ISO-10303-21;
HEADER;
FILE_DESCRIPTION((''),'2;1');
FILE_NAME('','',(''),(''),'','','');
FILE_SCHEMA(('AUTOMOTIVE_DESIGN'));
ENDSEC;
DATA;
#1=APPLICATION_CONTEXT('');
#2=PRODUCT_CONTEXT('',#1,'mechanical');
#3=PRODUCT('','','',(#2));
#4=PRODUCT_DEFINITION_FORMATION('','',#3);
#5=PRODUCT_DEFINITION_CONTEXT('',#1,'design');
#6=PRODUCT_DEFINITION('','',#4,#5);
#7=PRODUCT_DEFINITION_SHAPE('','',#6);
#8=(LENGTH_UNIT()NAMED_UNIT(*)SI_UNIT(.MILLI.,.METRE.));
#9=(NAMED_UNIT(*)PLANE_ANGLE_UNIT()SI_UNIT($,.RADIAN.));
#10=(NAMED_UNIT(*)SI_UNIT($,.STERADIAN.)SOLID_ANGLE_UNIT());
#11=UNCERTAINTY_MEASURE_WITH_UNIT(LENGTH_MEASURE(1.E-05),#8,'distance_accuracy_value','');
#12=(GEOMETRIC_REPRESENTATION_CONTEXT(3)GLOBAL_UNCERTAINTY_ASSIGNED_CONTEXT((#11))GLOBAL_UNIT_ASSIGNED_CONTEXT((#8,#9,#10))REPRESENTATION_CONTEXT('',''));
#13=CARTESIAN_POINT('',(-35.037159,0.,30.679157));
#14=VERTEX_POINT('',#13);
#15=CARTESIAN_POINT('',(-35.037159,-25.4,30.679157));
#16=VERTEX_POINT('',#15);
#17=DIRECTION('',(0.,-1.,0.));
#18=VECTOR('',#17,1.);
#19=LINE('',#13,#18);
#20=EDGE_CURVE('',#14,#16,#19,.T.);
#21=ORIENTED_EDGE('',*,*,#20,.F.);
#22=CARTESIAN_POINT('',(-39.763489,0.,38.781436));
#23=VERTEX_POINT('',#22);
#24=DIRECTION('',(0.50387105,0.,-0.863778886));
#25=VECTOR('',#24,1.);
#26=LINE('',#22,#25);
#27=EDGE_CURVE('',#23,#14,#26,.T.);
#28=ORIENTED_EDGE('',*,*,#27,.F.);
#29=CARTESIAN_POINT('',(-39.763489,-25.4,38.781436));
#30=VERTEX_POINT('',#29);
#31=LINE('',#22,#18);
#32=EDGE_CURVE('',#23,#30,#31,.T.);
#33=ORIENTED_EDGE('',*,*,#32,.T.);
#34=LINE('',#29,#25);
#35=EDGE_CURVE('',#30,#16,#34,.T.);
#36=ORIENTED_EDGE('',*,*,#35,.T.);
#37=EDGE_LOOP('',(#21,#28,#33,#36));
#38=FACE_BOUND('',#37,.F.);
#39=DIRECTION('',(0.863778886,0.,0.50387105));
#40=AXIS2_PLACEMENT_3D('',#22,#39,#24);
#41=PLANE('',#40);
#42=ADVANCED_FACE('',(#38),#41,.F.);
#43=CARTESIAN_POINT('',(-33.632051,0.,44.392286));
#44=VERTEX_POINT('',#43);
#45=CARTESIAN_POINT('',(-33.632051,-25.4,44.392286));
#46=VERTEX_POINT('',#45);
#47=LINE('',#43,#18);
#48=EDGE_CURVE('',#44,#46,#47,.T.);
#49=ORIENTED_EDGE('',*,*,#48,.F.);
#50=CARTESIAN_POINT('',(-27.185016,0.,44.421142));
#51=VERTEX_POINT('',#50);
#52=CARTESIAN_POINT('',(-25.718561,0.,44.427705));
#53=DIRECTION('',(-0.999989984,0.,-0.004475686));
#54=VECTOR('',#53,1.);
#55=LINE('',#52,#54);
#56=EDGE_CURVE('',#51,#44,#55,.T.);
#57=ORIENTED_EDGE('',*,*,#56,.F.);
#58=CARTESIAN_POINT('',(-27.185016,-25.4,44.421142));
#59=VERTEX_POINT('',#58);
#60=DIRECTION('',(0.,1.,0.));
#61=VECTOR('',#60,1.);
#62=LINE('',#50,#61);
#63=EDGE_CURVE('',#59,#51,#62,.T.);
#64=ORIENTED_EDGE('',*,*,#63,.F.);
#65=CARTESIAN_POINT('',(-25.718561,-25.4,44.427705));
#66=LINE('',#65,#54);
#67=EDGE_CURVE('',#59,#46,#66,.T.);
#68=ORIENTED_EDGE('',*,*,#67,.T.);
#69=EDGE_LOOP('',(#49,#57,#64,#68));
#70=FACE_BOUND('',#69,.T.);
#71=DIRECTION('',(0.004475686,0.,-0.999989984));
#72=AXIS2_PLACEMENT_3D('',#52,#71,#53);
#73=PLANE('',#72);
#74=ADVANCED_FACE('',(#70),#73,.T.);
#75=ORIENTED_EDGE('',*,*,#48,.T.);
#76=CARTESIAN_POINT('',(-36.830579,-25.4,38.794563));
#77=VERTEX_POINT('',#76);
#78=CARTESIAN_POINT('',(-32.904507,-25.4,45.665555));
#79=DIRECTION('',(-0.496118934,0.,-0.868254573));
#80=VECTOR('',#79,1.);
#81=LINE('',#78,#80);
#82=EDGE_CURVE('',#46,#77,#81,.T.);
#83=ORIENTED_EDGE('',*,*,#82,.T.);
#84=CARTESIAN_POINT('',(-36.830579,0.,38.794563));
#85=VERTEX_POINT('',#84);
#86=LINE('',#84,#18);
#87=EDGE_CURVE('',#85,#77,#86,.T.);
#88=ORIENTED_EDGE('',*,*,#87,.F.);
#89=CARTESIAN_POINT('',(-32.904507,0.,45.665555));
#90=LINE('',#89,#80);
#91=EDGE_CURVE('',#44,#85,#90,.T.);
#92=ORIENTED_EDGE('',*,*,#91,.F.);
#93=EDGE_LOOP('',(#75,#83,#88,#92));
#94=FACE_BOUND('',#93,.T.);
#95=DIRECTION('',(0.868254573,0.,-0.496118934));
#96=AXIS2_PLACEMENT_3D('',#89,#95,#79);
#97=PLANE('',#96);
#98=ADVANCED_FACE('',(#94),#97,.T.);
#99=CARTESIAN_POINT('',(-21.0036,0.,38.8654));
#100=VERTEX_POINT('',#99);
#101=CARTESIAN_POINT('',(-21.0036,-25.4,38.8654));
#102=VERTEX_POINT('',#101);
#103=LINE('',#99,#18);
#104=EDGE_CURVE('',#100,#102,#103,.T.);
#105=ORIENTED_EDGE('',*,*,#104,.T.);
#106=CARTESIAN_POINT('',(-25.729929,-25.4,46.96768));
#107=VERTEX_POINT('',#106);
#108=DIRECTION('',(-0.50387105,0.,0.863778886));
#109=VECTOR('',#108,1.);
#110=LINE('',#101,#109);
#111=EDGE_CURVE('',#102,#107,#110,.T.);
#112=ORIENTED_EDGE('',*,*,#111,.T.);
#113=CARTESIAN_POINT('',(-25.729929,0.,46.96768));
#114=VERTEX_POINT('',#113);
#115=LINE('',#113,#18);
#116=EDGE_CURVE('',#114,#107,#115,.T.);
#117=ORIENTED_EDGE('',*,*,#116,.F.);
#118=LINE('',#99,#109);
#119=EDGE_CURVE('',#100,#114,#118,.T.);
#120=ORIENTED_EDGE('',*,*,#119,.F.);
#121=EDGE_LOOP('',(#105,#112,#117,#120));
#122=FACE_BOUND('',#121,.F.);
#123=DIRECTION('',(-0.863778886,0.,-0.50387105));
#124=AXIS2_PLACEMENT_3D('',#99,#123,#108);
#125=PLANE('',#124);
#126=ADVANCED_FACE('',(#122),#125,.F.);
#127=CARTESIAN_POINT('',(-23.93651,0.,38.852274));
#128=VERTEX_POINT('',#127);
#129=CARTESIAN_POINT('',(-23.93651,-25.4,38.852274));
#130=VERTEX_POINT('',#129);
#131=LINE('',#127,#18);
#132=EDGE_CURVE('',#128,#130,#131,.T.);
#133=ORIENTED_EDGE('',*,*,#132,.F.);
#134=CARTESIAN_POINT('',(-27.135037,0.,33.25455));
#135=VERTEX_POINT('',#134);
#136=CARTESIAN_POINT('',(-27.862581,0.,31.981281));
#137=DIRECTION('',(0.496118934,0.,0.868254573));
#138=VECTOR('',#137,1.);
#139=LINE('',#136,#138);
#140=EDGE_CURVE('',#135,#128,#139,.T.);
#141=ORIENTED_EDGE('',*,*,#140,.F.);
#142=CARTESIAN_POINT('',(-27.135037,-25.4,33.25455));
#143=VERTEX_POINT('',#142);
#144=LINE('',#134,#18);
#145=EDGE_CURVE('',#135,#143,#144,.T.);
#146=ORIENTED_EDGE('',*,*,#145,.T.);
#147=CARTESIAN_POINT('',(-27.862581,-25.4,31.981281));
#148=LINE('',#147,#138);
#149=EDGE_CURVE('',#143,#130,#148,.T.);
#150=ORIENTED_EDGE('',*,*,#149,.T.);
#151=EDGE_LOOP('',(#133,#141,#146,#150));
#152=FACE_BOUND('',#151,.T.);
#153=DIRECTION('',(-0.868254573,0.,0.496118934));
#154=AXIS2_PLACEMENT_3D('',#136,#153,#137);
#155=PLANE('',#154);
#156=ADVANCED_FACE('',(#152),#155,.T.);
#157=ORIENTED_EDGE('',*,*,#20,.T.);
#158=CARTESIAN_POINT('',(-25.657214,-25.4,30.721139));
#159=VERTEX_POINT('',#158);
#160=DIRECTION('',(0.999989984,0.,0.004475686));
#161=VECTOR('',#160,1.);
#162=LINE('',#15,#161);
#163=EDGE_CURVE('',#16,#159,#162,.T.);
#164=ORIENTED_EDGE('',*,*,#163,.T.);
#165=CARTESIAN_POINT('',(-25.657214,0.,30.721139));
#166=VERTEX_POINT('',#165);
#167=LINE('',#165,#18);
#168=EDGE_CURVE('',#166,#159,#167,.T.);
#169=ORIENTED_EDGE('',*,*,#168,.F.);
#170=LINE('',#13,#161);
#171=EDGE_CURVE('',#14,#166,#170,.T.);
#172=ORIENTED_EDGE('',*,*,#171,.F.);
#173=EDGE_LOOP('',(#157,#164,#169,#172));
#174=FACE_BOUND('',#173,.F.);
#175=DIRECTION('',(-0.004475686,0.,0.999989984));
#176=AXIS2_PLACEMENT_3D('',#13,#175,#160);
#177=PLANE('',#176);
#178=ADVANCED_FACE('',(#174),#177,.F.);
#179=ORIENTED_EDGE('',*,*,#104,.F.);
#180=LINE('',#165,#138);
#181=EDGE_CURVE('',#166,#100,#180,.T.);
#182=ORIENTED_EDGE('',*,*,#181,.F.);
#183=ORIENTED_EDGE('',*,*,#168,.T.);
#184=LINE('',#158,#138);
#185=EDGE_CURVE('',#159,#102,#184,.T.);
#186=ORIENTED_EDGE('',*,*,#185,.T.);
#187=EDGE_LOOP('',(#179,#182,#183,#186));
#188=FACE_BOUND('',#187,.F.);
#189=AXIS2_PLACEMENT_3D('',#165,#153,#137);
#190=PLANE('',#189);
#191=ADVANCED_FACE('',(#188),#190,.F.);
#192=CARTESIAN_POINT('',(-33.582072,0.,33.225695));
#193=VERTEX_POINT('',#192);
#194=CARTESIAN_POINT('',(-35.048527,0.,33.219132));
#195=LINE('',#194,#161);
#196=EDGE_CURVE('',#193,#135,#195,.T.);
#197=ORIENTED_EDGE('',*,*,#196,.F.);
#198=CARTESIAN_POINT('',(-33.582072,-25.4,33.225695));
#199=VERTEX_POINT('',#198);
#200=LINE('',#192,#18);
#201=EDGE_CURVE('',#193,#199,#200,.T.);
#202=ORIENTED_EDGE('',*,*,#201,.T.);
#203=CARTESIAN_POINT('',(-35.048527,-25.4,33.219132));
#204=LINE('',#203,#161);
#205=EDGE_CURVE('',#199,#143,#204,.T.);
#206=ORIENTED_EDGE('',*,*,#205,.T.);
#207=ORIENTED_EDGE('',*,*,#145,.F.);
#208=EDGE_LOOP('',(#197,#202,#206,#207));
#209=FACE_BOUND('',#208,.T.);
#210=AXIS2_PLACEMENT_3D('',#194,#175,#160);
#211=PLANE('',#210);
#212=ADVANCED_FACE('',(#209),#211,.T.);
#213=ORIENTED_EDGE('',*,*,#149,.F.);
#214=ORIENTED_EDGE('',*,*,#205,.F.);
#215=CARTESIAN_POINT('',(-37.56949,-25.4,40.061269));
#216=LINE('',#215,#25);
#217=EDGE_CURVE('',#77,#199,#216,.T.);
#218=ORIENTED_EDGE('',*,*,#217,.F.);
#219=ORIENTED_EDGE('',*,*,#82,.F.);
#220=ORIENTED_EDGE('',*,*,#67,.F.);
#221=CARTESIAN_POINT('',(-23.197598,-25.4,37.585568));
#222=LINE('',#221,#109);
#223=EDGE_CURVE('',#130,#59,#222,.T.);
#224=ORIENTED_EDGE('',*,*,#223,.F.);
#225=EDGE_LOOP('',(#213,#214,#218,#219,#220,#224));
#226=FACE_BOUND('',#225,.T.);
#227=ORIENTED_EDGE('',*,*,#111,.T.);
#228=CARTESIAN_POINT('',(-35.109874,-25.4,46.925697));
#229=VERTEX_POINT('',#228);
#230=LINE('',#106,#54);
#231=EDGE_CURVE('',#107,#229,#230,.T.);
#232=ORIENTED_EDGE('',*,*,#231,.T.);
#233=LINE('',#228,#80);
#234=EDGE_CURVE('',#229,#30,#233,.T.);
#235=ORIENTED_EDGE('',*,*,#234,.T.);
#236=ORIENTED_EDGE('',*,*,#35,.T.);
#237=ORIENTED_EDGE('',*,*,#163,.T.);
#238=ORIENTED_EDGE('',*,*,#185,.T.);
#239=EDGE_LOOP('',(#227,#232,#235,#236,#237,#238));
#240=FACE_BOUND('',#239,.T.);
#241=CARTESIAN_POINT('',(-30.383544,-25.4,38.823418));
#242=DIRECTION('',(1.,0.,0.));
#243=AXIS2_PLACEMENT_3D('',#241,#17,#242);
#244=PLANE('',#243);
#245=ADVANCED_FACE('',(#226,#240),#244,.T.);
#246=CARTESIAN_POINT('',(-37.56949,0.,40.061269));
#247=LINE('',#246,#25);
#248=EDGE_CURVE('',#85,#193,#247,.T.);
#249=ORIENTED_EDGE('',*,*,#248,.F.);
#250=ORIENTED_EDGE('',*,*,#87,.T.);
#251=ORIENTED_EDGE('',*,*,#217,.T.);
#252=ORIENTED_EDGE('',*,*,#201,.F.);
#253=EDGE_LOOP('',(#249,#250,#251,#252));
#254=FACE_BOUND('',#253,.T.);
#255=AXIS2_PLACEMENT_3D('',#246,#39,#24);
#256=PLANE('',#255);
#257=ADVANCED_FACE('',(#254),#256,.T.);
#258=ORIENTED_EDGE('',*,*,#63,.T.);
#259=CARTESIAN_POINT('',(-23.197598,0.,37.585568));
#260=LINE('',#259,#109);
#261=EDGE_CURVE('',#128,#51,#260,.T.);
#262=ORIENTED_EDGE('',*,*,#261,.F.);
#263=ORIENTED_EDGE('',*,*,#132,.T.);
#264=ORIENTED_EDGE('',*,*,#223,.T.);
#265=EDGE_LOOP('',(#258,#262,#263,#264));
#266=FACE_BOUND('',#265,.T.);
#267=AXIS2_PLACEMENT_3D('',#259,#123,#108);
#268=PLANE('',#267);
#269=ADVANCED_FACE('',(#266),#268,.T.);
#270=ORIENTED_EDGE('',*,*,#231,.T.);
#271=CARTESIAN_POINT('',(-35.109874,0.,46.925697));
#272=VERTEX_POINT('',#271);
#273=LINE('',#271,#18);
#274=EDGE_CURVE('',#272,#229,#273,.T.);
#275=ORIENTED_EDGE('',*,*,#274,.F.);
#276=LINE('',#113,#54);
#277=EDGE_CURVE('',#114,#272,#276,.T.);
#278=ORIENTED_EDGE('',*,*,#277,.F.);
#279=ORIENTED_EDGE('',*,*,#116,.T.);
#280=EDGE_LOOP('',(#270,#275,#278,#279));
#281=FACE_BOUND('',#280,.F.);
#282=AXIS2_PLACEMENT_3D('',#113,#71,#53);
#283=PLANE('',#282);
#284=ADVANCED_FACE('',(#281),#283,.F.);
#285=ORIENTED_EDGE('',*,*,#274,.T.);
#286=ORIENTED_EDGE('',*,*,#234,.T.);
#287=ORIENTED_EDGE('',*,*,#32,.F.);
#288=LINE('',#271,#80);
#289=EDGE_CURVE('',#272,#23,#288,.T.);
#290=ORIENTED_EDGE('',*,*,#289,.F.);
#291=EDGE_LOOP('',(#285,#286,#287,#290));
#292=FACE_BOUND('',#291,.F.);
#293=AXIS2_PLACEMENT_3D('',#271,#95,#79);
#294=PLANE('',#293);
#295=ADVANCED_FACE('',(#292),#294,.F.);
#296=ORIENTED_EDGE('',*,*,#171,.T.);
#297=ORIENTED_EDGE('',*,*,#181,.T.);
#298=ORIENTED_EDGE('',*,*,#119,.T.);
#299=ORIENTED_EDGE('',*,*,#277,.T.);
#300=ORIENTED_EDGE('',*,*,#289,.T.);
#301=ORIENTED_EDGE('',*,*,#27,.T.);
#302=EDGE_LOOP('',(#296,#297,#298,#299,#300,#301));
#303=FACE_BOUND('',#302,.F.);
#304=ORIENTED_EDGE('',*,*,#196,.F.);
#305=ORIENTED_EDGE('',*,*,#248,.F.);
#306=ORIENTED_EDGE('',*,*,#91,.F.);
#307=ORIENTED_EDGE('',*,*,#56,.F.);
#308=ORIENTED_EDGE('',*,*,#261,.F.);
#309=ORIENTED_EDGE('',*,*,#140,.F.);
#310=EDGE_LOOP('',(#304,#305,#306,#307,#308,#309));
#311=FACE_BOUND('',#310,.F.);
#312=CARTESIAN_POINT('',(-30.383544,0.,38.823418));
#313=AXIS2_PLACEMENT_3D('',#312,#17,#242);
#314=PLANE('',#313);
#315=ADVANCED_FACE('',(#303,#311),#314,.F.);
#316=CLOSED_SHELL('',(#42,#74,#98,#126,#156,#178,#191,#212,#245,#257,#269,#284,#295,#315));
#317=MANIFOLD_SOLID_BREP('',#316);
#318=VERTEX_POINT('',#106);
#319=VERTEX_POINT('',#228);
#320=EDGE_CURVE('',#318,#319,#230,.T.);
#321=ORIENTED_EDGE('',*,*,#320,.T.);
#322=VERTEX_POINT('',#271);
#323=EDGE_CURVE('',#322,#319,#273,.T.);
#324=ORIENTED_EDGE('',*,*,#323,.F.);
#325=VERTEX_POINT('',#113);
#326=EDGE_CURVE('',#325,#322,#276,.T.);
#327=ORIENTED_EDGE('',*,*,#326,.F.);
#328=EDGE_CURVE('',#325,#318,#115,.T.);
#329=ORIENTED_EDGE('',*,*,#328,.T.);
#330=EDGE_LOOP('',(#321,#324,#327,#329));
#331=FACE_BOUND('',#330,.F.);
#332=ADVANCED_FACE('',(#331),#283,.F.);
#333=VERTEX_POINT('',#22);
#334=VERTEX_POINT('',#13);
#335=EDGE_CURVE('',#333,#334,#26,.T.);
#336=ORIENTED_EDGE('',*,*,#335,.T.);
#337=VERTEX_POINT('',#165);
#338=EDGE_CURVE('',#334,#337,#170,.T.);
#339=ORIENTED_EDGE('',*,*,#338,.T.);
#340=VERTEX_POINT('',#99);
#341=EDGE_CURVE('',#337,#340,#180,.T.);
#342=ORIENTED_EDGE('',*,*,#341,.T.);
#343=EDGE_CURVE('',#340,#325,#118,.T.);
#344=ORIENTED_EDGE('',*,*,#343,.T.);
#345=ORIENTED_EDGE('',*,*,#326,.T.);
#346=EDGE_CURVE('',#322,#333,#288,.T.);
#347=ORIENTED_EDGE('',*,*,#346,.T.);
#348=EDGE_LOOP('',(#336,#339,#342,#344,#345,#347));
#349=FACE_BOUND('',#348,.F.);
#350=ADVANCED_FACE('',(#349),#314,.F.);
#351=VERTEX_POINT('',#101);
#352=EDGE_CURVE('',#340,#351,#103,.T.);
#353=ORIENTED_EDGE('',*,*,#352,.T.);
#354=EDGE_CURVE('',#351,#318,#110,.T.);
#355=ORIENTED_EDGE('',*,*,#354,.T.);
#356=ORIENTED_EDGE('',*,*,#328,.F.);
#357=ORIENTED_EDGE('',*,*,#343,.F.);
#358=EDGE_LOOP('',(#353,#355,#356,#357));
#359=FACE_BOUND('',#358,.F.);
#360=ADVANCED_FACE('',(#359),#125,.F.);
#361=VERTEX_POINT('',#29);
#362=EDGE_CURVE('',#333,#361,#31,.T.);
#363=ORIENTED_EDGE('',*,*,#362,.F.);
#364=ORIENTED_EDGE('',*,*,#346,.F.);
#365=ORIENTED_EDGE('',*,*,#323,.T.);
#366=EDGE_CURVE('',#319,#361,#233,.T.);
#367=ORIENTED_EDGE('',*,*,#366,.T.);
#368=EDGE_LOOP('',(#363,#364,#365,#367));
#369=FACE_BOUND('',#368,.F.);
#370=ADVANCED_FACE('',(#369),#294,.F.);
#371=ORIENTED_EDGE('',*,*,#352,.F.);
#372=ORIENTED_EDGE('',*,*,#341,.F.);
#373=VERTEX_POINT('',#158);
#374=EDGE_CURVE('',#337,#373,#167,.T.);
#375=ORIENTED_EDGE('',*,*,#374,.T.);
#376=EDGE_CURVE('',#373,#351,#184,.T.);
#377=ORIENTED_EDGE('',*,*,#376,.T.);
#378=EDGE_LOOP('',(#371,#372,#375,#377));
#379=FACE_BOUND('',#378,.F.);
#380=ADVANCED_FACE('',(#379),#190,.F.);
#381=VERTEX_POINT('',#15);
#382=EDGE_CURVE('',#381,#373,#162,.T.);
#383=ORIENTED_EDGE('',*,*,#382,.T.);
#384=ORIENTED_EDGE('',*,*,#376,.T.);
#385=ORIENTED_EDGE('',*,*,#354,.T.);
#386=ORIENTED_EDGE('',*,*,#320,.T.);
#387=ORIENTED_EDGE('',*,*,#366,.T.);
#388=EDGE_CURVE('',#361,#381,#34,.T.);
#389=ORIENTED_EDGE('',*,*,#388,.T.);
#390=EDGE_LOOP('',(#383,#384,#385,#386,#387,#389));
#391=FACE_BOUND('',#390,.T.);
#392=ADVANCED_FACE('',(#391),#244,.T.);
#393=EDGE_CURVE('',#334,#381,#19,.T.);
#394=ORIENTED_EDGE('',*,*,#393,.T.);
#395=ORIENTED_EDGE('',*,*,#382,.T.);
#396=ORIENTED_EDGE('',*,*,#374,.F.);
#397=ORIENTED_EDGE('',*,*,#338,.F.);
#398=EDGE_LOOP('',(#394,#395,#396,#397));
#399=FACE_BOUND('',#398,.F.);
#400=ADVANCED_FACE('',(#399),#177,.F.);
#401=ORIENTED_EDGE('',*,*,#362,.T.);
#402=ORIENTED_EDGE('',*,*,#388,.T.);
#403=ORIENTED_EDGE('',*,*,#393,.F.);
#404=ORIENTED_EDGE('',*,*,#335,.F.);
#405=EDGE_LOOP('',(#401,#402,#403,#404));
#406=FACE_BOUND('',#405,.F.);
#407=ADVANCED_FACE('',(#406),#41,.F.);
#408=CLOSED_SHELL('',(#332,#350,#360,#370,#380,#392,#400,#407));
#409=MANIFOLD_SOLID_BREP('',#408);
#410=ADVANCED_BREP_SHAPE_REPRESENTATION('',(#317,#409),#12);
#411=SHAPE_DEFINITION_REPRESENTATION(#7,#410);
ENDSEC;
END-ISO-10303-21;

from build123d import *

# Parameters (mm, degrees)
F2_DEPTH = 25.4
F1_R     = 15.1955207551
F3_DEPTH = 25.4
F5_T     = -2.54


with BuildPart() as f2:
    # F0 (on Front) → F2 (new body)
    with BuildSketch(Plane.XZ):
        Polygon((-25.7299293739, 46.9676795868), (-35.1098738611, 46.9256974757), (-39.7634885299, 38.7814362081), (-35.0371587116, 30.6791570516), (-25.6572142243, 30.7211391628), (-21.0035995555, 38.8654004304), align=None)
    extrude(amount=F2_DEPTH)


with BuildPart() as f2b:
    # F1 (on Front) → F2, piece 2 (new body)
    with BuildSketch(Plane.XZ):
        with Locations((-30.7211373199, 39.1610125489)):
            Circle(F1_R)
    extrude(amount=F2_DEPTH)

    # F4: intersect F2
    add(f2.part, mode=Mode.INTERSECT)

    # F5
    f5_openings = [f2b.faces().sort_by_distance(p)[0] for p in [
        (-30.383544, 0, 38.823418),
        (-30.383544, -25.4, 38.823418),
    ]]
    offset(amount=F5_T, openings=f5_openings)


with BuildPart() as f3:
    # F0 (on Front) → F3 (new body)
    with BuildSketch(Plane.XZ):
        Polygon((-25.7299293739, 46.9676795868), (-35.1098738611, 46.9256974757), (-39.7634885299, 38.7814362081), (-35.0371587116, 30.6791570516), (-25.6572142243, 30.7211391628), (-21.0035995555, 38.8654004304), align=None)
    extrude(amount=F3_DEPTH)


solid = Compound([f2b.part, f3.part])
